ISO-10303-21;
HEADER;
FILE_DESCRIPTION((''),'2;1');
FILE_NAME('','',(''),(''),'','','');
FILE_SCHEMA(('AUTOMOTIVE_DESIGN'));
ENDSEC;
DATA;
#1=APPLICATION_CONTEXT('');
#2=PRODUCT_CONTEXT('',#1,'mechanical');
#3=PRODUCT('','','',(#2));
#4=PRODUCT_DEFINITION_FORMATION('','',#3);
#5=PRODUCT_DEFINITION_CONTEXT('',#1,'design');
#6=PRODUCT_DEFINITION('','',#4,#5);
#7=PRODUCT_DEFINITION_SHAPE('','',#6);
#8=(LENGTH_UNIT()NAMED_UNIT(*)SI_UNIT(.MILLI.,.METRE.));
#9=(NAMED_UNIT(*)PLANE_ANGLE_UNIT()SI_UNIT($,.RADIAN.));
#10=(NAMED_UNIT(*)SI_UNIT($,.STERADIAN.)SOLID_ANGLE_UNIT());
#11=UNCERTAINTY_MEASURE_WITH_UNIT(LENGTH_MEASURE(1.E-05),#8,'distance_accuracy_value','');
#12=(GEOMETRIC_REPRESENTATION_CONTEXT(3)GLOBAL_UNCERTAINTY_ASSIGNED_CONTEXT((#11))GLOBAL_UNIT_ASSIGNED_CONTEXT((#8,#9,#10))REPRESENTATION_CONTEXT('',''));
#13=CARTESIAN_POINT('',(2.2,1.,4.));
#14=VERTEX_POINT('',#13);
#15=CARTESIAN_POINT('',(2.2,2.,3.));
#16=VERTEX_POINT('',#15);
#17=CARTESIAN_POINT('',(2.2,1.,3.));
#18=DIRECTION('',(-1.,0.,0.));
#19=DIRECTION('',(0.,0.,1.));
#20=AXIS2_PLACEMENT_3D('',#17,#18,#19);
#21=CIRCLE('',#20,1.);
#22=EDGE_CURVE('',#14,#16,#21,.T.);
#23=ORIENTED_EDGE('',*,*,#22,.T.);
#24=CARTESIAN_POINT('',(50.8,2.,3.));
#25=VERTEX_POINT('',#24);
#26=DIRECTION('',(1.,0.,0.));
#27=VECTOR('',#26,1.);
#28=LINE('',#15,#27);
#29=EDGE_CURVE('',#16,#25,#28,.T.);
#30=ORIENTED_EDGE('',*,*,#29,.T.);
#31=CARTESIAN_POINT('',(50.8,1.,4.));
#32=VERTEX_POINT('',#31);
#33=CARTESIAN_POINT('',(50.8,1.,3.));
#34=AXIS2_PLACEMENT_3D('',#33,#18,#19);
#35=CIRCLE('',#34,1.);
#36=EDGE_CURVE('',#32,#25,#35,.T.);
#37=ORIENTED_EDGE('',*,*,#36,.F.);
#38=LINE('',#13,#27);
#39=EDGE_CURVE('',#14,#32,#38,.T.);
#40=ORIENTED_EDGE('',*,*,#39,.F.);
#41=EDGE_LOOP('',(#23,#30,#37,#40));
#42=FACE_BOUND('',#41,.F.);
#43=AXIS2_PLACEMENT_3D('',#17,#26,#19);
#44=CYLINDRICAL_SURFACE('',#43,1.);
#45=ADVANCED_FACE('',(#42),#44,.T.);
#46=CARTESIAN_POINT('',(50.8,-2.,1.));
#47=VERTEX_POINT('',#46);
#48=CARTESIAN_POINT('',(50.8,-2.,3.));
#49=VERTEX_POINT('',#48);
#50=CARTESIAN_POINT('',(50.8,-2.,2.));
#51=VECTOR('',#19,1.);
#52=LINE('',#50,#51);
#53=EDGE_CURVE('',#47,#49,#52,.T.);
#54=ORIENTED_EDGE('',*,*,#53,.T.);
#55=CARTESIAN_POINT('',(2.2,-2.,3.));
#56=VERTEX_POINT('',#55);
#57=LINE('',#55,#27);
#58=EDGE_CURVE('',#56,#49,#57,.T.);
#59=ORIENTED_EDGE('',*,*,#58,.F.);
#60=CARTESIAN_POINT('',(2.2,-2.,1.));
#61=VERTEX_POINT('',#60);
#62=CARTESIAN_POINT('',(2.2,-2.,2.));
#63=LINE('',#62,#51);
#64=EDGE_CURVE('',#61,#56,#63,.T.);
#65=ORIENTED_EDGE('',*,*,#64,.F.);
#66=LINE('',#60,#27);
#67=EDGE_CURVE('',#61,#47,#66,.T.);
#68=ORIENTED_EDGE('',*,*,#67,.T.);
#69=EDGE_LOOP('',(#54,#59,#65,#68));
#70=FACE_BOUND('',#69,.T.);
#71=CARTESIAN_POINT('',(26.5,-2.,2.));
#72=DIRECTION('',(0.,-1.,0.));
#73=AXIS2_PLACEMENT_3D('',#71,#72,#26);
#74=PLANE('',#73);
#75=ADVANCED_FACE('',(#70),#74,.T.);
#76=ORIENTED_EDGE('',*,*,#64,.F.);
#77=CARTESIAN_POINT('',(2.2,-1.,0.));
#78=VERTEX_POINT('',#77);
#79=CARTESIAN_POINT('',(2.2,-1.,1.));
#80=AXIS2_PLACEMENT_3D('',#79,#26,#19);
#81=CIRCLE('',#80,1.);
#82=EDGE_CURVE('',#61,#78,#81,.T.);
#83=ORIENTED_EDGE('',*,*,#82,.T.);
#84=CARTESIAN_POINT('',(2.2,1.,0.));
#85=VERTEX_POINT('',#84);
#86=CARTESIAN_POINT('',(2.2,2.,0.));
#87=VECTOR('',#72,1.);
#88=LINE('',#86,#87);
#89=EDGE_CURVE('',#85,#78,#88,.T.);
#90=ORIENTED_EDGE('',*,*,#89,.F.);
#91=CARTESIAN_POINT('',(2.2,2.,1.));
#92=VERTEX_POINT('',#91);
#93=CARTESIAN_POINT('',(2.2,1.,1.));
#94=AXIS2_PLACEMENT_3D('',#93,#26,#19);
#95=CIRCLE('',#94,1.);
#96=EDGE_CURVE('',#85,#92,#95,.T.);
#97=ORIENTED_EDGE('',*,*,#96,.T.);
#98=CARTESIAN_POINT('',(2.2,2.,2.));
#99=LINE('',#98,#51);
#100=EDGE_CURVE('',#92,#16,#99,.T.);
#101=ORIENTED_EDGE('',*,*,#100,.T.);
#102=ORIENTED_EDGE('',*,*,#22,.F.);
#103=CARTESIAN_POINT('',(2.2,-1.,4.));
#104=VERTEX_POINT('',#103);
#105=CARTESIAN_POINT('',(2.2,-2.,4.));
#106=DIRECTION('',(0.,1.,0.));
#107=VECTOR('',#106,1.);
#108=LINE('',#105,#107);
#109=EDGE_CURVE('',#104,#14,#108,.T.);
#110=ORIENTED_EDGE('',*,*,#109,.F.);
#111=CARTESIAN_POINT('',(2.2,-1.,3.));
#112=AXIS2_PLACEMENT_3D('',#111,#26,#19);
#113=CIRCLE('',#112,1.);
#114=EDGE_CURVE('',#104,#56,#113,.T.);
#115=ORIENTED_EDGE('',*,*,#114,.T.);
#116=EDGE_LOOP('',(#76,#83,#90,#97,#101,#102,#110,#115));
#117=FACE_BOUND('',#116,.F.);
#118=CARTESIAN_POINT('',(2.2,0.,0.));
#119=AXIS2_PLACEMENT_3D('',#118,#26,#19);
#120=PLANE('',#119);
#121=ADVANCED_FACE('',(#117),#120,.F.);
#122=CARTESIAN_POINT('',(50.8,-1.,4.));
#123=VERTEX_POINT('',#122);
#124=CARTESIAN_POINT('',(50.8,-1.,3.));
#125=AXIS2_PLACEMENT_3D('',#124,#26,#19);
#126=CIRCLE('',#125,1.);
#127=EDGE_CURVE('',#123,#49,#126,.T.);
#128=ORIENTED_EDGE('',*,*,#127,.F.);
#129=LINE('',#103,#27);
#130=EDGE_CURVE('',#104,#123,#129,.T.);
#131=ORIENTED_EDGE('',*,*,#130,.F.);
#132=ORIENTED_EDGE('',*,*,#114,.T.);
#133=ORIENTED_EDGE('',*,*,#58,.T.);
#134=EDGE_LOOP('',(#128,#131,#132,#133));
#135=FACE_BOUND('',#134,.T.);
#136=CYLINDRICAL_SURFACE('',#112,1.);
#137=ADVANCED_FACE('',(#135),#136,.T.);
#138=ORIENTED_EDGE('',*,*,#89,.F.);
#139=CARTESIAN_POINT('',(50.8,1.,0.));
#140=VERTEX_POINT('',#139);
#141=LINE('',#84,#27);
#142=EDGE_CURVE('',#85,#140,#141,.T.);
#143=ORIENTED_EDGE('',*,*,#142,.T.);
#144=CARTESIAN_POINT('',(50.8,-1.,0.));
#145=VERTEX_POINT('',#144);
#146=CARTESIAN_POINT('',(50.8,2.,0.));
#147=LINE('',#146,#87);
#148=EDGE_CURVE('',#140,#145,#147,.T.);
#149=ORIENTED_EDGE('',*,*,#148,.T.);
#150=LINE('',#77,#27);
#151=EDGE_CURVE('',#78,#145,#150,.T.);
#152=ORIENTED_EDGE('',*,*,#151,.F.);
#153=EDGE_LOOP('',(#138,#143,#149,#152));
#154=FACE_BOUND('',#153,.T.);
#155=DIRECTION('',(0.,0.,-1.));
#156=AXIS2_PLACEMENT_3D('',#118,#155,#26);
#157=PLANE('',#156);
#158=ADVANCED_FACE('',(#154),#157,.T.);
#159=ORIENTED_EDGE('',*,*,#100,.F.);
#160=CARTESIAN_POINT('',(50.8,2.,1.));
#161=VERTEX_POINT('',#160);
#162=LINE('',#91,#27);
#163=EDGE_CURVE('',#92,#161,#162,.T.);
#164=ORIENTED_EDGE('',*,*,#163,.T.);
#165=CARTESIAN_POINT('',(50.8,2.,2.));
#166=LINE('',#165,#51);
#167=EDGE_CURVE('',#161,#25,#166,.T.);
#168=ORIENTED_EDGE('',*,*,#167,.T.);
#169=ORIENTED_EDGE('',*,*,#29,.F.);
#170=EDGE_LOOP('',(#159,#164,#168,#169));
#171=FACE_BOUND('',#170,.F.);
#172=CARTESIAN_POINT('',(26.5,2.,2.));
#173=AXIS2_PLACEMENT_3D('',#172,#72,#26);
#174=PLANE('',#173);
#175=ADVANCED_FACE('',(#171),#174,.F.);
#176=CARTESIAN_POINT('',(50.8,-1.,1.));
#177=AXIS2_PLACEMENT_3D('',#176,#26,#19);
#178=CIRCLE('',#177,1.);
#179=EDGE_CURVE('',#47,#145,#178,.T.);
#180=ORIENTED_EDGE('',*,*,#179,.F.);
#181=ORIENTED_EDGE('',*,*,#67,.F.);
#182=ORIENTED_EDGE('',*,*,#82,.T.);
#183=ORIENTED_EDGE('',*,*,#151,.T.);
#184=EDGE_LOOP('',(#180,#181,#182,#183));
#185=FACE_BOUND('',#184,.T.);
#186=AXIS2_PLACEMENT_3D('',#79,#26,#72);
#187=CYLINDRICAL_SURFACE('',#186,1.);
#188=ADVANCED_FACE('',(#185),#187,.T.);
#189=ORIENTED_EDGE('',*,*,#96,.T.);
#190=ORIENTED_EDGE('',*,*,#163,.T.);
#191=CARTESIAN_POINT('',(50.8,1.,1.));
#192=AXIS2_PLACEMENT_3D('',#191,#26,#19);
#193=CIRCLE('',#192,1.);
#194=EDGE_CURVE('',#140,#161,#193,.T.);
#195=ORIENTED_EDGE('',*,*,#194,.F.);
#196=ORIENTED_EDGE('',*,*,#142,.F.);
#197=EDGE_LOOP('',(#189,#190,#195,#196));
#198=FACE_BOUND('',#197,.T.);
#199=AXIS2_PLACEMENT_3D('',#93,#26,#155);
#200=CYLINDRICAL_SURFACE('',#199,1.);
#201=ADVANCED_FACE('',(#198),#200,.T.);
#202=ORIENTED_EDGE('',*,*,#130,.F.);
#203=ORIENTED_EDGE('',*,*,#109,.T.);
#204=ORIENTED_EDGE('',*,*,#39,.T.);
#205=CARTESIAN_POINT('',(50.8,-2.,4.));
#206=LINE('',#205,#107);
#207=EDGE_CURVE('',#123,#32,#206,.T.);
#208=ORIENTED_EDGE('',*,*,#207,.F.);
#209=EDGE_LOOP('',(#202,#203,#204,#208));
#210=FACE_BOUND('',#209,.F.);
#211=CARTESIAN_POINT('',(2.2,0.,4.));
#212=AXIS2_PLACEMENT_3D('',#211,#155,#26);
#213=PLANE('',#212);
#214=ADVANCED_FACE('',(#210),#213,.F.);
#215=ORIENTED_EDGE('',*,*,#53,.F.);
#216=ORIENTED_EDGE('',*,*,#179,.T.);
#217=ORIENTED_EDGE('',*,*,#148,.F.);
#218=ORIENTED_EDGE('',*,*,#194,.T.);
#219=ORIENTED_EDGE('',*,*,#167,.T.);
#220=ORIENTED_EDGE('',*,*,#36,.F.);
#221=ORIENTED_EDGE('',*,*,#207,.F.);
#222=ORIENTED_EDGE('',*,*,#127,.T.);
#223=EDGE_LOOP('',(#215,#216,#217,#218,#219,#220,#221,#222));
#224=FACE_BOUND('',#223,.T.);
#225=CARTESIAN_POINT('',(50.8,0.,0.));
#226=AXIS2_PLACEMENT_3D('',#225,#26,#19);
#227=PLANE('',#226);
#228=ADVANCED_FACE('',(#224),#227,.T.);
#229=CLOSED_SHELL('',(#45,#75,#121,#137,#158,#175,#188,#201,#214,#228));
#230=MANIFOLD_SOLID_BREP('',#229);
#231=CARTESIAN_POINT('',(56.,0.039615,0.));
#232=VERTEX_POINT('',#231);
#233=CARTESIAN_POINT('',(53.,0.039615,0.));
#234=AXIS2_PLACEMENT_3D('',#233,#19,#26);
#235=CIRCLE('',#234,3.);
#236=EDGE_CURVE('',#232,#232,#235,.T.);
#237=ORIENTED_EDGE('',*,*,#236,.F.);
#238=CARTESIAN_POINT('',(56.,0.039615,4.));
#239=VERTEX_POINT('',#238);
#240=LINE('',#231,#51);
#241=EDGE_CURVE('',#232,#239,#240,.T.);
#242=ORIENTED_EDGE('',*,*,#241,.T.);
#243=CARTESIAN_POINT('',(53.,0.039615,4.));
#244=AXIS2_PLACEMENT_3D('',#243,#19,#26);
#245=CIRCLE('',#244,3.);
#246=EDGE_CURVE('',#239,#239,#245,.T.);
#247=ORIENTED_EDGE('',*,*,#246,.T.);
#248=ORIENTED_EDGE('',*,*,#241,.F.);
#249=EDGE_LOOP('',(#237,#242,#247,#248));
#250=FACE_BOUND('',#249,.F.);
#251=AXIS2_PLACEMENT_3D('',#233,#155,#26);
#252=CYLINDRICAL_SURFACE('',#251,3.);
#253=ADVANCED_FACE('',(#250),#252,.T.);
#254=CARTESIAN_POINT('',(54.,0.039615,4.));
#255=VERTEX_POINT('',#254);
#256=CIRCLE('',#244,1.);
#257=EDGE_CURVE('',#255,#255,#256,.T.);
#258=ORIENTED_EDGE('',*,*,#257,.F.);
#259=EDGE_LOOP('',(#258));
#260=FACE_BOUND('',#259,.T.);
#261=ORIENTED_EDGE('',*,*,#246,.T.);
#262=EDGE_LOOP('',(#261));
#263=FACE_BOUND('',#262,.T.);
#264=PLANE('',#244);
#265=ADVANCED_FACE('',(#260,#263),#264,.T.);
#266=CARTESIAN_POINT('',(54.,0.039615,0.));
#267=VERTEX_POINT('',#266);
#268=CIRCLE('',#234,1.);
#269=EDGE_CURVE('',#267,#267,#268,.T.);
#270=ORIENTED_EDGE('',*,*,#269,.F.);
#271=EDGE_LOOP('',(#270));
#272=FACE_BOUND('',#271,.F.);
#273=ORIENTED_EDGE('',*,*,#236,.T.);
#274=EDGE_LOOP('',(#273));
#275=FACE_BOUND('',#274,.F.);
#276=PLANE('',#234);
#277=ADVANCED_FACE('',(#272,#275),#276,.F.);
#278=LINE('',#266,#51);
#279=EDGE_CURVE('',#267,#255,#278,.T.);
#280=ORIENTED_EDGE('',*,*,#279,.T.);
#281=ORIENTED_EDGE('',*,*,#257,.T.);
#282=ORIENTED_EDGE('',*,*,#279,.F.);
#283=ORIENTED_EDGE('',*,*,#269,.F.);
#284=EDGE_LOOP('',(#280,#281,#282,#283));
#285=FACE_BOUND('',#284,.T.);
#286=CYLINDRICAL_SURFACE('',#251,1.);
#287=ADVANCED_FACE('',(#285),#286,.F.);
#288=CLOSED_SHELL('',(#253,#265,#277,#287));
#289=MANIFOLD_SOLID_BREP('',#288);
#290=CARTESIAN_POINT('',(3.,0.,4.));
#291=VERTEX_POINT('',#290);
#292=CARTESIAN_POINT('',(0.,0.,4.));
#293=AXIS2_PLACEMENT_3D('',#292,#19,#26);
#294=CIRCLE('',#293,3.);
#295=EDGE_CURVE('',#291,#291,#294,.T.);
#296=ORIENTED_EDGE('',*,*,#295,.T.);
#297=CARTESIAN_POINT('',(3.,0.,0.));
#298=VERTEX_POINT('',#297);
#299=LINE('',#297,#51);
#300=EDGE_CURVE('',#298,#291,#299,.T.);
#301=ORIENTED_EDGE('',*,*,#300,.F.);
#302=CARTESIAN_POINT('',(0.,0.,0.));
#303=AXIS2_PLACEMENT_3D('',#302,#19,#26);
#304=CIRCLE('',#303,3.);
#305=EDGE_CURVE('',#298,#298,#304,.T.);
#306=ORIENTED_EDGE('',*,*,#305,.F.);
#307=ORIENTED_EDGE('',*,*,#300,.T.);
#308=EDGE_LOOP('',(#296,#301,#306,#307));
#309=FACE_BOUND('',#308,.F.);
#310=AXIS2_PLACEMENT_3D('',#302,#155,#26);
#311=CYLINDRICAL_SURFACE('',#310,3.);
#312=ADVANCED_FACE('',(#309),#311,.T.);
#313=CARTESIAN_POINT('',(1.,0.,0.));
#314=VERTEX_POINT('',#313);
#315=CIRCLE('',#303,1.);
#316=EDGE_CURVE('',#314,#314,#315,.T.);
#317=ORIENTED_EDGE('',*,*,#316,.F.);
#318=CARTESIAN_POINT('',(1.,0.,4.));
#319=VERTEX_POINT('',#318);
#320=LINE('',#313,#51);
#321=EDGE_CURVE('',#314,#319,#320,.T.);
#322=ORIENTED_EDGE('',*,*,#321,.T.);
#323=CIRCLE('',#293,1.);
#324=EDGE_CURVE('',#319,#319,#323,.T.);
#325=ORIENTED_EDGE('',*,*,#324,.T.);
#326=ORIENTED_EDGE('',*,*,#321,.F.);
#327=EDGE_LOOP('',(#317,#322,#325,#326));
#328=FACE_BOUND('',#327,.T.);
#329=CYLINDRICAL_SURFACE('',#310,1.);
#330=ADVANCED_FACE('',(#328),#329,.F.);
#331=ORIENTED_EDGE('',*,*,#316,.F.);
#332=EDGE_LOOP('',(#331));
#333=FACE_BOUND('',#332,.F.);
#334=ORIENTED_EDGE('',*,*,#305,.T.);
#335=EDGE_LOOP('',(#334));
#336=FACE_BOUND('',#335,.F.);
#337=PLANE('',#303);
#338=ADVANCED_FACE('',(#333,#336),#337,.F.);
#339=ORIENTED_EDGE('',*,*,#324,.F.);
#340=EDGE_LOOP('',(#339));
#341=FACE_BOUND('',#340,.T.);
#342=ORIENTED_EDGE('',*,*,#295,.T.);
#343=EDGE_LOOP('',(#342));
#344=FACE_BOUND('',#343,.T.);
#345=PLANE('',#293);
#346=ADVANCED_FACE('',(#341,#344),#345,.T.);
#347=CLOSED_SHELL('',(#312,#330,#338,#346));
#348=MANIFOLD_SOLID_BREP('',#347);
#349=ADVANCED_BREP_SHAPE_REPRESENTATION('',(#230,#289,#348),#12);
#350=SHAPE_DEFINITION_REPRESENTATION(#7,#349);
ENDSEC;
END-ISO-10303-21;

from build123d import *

# Parameters (mm, degrees)
SKETCH_R     = 3
SKETCH_R_2   = 1
PAD_DEPTH    = 4
SKETCH001_W  = 48.6
SKETCH001_H  = 4
PAD001_DEPTH = 2
FILLET_R     = 1
FILLET001_R  = 1
FILLET002_R  = 1
FILLET003_R  = 1


with BuildPart() as pad:
    # Sketch → Pad (new body)
    with BuildSketch(Plane.XY):
        Circle(SKETCH_R)
        Circle(SKETCH_R_2, mode=Mode.SUBTRACT)
        with Locations((53, 0.039615)):
            Circle(SKETCH_R)
        with Locations((53, 0.039615)):
            Circle(SKETCH_R_2, mode=Mode.SUBTRACT)
    extrude(amount=PAD_DEPTH)


with BuildPart() as fillet003:
    # Sketch001 → Pad001 (new body, symmetric)
    with BuildSketch(Plane.XZ):
        with Locations((26.5, 2)):
            Rectangle(SKETCH001_W, SKETCH001_H)
    extrude(amount=PAD001_DEPTH, both=True)

    # Fillet
    fillet_edges = [fillet003.edges().sort_by_distance(p)[0] for p in [
        (26.5, 2, 4),
    ]]
    fillet(fillet_edges, radius=FILLET_R)

    # Fillet001
    fillet001_edges = [fillet003.edges().sort_by_distance(p)[0] for p in [
        (26.5, -2, 4),
    ]]
    fillet(fillet001_edges, radius=FILLET001_R)

    # Fillet002
    fillet002_edges = [fillet003.edges().sort_by_distance(p)[0] for p in [
        (26.5, -2, 0),
    ]]
    fillet(fillet002_edges, radius=FILLET002_R)

    # Fillet003
    fillet003_edges = [fillet003.edges().sort_by_distance(p)[0] for p in [
        (26.5, 2, 0),
    ]]
    fillet(fillet003_edges, radius=FILLET003_R)


solid = Compound([pad.part, fillet003.part])
